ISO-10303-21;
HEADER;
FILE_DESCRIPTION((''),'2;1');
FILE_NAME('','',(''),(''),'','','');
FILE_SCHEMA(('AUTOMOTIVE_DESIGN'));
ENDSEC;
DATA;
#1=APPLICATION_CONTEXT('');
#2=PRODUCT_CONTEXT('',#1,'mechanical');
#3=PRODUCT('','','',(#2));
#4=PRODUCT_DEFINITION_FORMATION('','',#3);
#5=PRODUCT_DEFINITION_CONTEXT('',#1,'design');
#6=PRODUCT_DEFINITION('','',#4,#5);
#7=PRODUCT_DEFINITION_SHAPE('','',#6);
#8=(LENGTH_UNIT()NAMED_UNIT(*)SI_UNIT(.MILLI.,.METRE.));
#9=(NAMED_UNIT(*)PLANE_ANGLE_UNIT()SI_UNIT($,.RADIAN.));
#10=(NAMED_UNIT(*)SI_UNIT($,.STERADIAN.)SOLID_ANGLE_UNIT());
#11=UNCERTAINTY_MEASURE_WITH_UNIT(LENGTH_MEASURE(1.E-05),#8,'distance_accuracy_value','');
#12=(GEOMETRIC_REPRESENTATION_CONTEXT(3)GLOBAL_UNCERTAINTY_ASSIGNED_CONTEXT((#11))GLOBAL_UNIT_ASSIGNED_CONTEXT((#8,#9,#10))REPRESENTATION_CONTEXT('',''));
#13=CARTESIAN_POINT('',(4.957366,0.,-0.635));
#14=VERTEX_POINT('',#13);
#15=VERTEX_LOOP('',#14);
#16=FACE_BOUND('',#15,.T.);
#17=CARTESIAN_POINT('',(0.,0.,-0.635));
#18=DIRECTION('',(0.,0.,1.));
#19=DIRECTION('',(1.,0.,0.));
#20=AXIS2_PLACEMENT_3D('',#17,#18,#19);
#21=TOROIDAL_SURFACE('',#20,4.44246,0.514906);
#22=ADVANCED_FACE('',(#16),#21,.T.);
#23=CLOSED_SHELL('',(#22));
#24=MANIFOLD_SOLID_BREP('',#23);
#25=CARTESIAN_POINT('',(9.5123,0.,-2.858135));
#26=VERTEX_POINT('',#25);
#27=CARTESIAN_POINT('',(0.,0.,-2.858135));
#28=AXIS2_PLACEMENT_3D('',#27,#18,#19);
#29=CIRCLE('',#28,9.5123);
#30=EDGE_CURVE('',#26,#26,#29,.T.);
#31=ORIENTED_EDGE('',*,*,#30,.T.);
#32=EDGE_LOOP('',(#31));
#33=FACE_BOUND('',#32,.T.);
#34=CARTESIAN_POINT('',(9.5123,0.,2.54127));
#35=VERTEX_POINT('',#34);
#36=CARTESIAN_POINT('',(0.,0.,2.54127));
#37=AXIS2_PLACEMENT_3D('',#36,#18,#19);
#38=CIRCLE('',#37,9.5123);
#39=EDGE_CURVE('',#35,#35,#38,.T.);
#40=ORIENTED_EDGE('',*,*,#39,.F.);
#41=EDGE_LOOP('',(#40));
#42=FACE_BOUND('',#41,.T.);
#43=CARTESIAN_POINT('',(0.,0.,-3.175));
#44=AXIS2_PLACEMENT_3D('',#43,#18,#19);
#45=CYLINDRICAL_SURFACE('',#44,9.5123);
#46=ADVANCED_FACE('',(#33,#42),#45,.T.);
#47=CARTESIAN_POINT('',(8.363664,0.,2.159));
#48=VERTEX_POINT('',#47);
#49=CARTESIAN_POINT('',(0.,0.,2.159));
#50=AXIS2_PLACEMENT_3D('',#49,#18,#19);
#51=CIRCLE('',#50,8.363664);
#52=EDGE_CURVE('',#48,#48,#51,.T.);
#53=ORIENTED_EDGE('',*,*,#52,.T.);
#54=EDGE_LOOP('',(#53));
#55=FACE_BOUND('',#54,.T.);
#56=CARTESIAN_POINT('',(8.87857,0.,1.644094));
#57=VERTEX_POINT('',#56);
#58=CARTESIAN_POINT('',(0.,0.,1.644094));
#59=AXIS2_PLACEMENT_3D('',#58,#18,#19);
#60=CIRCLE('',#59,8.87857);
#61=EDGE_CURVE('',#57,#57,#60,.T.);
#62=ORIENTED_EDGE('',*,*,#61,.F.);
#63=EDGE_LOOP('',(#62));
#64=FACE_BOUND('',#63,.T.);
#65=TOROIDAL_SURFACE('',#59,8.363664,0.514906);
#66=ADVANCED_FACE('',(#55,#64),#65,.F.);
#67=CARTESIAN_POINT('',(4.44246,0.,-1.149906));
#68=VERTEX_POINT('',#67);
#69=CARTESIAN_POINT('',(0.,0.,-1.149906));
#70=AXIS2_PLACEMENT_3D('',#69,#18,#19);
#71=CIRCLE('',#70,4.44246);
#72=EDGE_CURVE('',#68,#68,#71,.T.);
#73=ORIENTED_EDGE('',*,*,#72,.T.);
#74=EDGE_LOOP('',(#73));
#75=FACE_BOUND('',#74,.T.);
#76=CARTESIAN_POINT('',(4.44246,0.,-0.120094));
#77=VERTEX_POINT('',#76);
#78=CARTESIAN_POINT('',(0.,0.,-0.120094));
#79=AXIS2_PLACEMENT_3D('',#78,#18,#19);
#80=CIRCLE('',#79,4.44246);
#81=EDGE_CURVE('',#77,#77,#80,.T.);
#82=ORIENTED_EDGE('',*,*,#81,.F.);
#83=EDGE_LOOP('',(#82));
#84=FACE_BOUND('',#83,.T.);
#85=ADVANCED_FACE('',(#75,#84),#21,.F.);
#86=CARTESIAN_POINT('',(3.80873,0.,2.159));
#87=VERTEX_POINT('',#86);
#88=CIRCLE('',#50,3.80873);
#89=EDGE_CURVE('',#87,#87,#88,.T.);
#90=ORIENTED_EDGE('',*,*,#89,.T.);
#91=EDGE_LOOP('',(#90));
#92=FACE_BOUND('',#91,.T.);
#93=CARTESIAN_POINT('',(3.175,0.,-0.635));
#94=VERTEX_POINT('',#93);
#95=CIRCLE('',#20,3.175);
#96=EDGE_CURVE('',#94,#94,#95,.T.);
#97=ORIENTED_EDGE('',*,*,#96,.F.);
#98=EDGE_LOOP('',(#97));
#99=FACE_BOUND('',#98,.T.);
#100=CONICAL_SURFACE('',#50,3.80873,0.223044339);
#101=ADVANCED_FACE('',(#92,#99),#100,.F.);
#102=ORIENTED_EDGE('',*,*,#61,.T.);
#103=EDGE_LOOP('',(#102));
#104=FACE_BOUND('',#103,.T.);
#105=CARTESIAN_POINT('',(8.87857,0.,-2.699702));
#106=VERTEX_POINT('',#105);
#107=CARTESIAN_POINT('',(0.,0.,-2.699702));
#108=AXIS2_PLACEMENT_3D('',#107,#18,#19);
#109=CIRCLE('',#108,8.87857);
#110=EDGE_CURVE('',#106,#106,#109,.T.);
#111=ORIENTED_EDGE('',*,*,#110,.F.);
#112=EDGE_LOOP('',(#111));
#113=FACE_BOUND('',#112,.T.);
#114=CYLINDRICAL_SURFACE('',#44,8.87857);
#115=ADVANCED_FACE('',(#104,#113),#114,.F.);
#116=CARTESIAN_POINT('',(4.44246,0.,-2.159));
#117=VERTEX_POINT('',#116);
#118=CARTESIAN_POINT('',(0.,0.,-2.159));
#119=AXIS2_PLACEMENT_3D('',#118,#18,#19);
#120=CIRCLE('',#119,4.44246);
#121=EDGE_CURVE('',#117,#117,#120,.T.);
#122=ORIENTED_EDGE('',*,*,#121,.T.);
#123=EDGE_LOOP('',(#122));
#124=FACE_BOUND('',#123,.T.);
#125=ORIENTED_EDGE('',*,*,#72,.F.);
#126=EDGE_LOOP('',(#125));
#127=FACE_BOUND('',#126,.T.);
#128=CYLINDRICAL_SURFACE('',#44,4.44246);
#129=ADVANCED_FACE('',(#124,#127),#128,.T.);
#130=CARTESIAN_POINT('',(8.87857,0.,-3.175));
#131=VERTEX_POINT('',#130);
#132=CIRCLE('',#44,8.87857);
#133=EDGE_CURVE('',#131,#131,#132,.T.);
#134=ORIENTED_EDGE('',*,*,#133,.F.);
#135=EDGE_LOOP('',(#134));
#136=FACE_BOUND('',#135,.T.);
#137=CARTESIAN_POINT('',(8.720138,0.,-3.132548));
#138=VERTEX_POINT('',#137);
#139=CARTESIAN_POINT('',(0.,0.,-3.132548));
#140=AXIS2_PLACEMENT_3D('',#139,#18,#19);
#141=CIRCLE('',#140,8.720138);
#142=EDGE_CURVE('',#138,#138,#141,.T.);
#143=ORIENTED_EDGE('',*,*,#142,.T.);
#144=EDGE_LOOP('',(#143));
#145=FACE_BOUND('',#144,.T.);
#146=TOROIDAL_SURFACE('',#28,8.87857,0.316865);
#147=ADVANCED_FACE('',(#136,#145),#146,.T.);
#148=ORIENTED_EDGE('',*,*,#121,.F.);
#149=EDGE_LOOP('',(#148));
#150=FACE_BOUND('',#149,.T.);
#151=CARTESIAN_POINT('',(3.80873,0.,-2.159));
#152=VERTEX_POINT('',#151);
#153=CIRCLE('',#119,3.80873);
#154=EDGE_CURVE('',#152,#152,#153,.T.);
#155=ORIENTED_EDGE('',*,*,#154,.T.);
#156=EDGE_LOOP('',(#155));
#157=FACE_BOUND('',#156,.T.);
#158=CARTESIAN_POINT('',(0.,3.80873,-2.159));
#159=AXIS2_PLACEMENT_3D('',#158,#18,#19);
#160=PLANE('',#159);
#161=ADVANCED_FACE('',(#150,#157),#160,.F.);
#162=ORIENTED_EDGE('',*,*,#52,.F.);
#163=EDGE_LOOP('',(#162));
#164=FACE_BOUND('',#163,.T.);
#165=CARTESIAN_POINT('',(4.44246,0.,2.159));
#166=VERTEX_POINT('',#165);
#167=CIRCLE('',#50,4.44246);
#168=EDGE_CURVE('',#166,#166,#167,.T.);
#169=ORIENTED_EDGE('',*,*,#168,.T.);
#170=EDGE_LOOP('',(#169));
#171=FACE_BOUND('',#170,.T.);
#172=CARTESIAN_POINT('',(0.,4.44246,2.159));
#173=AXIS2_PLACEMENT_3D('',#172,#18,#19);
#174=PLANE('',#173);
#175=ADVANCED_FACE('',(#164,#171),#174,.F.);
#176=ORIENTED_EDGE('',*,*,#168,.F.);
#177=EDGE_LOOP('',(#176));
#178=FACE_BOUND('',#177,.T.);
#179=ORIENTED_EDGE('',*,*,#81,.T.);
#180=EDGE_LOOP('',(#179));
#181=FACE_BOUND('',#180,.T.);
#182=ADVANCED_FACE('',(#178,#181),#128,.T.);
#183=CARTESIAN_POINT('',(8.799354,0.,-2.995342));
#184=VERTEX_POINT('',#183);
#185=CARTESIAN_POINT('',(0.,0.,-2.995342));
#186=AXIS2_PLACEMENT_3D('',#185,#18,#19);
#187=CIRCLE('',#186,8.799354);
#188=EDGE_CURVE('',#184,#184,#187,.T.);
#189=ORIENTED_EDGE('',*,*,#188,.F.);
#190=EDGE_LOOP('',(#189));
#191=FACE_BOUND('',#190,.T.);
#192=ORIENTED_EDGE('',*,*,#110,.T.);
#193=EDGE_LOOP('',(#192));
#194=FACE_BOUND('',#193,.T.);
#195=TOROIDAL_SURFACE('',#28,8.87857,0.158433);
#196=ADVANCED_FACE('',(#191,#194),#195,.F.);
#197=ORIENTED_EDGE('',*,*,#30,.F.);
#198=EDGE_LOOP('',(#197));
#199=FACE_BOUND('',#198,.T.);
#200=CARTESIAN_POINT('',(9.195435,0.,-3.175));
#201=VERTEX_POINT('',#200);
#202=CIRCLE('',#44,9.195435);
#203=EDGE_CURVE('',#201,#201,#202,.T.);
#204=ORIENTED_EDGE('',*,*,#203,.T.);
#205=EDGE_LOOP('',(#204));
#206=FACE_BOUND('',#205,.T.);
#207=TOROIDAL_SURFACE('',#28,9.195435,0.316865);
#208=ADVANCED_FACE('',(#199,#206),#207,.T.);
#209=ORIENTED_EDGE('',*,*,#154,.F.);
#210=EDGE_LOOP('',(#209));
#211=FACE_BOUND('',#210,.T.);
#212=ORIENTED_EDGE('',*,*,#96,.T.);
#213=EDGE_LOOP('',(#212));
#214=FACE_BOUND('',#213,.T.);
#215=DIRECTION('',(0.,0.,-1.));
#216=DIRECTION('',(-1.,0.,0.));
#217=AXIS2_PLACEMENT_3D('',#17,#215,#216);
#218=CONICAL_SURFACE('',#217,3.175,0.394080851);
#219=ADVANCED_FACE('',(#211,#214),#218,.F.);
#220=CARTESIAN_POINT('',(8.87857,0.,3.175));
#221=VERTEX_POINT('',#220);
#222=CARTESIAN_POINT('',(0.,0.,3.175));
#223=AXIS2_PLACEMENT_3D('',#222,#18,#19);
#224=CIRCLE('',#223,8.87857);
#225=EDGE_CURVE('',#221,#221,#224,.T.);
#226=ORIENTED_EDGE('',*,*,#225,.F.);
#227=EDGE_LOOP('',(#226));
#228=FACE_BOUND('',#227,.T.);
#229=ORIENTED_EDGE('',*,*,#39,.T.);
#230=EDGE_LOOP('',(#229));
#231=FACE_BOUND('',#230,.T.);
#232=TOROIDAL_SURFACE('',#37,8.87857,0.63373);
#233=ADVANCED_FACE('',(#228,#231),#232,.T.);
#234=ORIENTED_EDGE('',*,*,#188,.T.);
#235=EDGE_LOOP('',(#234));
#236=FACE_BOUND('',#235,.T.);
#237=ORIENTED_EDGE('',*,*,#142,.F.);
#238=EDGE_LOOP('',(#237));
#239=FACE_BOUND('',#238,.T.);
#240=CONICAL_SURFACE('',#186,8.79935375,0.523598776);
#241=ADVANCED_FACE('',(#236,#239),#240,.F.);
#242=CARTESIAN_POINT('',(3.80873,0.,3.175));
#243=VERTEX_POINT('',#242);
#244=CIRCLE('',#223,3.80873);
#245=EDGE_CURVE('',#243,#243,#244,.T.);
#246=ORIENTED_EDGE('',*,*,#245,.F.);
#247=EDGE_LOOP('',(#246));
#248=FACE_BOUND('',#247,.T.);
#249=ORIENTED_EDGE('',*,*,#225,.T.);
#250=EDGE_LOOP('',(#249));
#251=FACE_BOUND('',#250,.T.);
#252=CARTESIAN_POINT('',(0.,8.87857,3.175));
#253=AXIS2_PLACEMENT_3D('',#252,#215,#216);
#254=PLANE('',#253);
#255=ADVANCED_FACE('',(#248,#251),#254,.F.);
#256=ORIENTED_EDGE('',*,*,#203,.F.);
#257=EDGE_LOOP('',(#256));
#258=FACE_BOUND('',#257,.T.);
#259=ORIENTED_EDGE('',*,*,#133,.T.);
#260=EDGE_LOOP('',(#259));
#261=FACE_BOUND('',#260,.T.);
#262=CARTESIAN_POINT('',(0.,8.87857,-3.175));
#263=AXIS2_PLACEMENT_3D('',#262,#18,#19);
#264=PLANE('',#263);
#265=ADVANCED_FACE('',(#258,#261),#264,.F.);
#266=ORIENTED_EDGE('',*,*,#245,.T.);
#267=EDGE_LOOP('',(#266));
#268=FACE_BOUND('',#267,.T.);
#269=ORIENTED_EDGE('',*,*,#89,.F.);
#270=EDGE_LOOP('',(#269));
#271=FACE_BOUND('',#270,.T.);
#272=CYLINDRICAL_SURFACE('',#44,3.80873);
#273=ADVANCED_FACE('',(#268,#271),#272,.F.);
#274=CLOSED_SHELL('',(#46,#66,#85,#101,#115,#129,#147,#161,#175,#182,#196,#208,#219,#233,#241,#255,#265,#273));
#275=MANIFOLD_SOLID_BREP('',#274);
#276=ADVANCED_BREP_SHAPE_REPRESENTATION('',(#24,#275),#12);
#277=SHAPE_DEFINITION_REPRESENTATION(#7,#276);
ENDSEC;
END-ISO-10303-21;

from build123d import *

# Parameters (mm, degrees)
SKETCH2_R = 0.514905625


with BuildPart() as part:
    # Sketch1 → Revolve1 (revolve)
    with BuildSketch(Plane(origin=(0, 0, 0), x_dir=(0, 0, -1), z_dir=(1, 0, 0)), mode=Mode.PRIVATE) as revolve1_sk:
        with BuildLine():
            Line((-3.175, 8.87857), (-3.175, 3.80873))
            Line((-3.175, 3.80873), (-2.159, 3.80873))
            Line((-2.159, 3.80873), (0.635, 3.175))
            Line((0.635, 3.175), (2.159, 3.80873))
            Line((2.159, 3.80873), (2.159, 4.44246))
            Line((2.159, 4.44246), (1.149905625, 4.44246))
            ThreePointArc((1.149905625, 4.44246), (0.635, 3.927554375), (0.120094375, 4.44246))
            Line((0.120094375, 4.44246), (-2.159, 4.44246))
            Line((-2.159, 4.44246), (-2.159, 8.363664375))
            ThreePointArc((-2.159, 8.363664375), (-2.008187634, 8.727757634), (-1.644094375, 8.87857))
            Line((-1.644094375, 8.87857), (2.6997025, 8.87857))
            ThreePointArc((2.6997025, 8.87857), (2.899140348, 9.031604043), (2.99534157, 8.79935375))
            Line((2.99534157, 8.79935375), (3.13254814, 8.7201375))
            ThreePointArc((3.13254814, 8.7201375), (3.164203087, 8.796559303), (3.175, 8.87857))
            Line((3.175, 8.87857), (3.175, 9.195435))
            ThreePointArc((3.175, 9.195435), (3.08219239, 9.41949239), (2.858135, 9.5123))
            Line((2.858135, 9.5123), (-2.54127, 9.5123))
            ThreePointArc((-2.54127, 9.5123), (-2.98938478, 9.32668478), (-3.175, 8.87857))
        make_face()
    revolve(revolve1_sk.sketch.rotate(Axis((0, 0, -3.175), (0, 0, 1)), 270), axis=Axis((0, 0, -3.175), (0, 0, 1)))


with BuildPart() as body_2:
    # Sketch2 → Revolve2 (revolve)
    with BuildSketch(Plane(origin=(0, 0, 0), x_dir=(0, 0, -1), z_dir=(1, 0, 0)), mode=Mode.PRIVATE) as revolve2_sk:
        with Locations((0.635, 4.44246)):
            Circle(SKETCH2_R)
    revolve(revolve2_sk.sketch.rotate(Axis((0, 0, 3.175), (0, 0, -1)), 270), axis=Axis((0, 0, 3.175), (0, 0, -1)))


solid = Compound([part.part, body_2.part])
